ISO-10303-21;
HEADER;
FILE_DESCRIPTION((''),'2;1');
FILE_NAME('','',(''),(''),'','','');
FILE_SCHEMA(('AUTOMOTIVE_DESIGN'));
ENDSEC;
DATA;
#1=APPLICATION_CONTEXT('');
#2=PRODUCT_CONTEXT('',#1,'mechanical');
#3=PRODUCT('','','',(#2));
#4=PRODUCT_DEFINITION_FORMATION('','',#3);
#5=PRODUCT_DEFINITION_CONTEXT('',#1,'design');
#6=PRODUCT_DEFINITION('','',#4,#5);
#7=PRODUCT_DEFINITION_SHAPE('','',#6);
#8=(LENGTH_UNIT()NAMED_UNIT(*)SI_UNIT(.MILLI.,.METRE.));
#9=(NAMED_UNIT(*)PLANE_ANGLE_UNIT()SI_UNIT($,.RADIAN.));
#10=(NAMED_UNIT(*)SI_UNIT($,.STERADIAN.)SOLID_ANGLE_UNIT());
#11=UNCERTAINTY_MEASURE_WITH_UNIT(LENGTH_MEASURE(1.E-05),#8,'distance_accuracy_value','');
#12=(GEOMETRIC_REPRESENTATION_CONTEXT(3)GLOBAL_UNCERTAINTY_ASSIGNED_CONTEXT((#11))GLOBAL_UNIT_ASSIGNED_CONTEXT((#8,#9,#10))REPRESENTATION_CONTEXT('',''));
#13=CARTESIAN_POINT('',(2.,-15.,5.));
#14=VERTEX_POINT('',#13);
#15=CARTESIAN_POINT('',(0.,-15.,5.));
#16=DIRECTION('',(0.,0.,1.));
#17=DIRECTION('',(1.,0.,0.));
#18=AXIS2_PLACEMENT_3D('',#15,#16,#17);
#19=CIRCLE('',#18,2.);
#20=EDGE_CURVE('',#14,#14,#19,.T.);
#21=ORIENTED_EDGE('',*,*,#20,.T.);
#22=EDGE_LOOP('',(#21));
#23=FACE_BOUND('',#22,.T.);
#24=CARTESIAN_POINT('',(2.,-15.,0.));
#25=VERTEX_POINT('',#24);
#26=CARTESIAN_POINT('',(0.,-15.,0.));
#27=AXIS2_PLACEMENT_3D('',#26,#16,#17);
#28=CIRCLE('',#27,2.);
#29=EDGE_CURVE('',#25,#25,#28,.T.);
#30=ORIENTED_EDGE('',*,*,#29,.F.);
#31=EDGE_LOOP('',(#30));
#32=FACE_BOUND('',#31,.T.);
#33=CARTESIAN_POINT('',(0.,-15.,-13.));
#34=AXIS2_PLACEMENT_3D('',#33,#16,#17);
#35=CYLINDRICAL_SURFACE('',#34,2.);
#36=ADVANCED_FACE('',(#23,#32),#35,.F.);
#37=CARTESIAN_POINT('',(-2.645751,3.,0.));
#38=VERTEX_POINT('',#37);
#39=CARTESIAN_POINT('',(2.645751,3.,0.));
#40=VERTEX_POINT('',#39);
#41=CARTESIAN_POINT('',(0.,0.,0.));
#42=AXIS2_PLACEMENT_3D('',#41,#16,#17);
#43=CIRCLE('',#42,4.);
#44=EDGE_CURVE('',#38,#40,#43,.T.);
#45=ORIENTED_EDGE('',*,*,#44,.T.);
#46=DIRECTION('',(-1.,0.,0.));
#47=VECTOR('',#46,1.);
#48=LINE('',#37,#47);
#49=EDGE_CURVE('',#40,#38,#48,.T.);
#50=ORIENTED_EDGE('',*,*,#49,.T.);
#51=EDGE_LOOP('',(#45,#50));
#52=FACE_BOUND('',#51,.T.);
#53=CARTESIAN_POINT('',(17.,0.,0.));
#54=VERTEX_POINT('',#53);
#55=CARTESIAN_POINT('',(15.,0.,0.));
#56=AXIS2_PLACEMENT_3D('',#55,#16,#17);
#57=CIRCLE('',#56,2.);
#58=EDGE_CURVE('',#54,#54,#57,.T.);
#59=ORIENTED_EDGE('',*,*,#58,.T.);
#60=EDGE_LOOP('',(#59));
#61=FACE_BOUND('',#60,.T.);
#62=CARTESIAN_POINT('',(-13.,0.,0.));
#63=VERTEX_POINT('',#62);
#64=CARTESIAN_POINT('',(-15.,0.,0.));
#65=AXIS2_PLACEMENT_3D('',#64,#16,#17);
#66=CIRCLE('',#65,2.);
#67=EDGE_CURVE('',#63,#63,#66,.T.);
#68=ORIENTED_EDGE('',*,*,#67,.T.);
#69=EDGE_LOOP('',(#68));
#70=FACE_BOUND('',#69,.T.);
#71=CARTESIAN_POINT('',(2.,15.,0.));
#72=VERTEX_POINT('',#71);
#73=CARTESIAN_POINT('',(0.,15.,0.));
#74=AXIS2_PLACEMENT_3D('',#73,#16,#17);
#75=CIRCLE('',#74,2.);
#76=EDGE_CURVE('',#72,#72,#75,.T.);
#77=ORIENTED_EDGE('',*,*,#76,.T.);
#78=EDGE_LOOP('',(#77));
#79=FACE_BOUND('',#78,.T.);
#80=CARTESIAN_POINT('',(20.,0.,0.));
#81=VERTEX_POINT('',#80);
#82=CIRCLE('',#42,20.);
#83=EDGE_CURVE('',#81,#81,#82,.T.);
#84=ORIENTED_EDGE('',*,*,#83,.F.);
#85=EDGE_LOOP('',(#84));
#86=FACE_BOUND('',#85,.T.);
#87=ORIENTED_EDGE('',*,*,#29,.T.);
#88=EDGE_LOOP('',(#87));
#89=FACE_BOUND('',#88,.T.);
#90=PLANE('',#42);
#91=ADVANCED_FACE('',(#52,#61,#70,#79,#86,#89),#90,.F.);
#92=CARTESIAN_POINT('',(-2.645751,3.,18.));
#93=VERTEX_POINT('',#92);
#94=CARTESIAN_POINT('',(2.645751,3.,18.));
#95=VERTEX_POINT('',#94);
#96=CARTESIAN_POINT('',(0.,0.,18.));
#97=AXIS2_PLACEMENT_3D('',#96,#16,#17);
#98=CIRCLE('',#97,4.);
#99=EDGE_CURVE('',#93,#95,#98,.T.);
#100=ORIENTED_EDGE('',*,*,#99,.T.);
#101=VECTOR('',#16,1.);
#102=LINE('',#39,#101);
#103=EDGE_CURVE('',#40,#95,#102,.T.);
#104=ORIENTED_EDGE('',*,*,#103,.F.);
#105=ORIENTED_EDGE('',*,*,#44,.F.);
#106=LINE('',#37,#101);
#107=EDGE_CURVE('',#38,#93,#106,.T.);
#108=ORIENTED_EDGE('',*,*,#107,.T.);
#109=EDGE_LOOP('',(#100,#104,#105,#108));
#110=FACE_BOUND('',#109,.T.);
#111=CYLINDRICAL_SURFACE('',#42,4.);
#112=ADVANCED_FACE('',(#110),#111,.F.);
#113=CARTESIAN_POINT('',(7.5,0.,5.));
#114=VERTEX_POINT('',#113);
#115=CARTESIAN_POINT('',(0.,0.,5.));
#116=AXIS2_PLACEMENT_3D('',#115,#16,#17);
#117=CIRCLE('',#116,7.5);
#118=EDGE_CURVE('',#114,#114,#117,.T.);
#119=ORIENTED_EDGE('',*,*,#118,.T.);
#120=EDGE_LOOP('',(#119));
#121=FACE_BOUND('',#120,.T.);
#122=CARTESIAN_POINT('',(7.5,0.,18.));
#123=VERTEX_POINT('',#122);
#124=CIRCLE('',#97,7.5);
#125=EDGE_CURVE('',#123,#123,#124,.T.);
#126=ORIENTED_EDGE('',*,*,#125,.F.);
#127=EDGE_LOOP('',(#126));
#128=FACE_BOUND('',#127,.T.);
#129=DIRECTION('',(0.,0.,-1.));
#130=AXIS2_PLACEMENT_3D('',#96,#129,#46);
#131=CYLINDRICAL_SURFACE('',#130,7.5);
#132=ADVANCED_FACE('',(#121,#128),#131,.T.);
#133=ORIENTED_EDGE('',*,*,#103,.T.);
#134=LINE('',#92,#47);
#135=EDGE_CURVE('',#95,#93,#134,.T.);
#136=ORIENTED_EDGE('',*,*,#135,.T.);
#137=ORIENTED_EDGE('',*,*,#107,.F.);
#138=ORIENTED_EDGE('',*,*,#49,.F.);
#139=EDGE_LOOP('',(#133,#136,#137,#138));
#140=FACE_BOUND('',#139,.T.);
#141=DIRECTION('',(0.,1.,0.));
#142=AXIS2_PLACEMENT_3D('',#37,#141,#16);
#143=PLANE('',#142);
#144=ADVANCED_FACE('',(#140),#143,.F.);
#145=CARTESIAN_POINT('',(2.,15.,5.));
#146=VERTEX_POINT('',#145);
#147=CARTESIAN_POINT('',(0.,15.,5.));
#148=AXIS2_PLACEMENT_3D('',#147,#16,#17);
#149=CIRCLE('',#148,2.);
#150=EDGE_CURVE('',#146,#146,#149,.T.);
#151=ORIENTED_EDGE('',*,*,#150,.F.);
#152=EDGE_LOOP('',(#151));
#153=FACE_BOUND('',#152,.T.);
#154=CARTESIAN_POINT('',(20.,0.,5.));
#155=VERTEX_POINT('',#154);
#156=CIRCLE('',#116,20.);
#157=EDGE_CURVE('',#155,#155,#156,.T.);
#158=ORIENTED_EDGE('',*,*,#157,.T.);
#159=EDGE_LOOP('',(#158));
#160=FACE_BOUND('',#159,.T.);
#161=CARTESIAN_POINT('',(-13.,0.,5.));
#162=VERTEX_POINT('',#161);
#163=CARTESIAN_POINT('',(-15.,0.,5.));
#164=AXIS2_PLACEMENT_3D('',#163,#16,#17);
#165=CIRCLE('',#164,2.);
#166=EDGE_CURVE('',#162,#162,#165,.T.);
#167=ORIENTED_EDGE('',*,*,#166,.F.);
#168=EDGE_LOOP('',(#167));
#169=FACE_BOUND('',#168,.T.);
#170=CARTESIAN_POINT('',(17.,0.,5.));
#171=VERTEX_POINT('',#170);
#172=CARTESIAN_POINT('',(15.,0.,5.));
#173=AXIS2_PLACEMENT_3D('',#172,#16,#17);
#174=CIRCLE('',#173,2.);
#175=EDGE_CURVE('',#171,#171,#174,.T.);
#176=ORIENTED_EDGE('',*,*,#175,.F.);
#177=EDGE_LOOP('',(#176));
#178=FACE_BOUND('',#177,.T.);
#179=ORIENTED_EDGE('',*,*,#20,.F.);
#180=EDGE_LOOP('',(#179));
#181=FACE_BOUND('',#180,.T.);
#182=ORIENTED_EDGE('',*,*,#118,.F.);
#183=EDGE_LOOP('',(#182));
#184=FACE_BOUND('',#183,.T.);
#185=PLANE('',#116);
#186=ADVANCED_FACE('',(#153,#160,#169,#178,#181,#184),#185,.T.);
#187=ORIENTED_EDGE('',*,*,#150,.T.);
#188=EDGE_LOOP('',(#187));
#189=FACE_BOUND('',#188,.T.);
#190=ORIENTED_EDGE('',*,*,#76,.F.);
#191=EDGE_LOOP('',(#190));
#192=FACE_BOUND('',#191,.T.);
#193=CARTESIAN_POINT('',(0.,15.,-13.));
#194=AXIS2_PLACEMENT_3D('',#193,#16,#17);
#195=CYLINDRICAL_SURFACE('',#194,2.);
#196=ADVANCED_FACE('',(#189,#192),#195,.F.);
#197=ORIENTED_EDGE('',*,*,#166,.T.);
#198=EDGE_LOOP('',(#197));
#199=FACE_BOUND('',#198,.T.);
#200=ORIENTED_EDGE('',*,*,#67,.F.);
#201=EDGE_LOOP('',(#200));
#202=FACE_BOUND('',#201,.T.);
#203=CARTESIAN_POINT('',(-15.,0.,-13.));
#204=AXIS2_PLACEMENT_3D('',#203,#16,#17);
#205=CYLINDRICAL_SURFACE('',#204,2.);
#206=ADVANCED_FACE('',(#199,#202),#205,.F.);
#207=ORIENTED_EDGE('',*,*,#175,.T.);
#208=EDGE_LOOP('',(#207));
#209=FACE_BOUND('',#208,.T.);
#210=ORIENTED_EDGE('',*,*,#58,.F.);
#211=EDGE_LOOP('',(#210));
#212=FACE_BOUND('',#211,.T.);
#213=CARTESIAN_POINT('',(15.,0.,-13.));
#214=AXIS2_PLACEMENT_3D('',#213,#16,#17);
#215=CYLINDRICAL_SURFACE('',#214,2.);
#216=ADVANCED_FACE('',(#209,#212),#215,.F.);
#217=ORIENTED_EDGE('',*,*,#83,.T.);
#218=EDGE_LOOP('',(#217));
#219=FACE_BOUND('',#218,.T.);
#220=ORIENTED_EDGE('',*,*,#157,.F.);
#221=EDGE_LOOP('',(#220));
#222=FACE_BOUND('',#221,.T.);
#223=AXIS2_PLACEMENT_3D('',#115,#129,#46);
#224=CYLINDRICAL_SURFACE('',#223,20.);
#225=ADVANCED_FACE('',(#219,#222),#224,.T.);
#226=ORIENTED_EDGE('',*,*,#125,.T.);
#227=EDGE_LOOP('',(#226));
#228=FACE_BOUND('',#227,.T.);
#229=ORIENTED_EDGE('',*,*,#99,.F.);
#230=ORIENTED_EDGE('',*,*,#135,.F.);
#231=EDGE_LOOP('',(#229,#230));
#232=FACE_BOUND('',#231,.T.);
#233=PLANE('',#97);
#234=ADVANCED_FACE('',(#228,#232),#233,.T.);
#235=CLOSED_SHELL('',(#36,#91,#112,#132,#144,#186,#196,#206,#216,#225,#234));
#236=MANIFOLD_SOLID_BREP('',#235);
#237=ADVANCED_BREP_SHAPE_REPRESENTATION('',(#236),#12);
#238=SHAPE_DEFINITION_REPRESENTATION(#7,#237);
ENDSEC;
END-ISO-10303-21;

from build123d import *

# Parameters (mm, degrees)
SKETCH1_R           = 20
BOSS_EXTRUDE1_DEPTH = 5
SKETCH2_R           = 7.5
BOSS_EXTRUDE2_DEPTH = 13
CUT_EXTRUDE1_DEPTH  = 18
SKETCH4_R           = 2
CUT_EXTRUDE2_DEPTH  = 18


with BuildPart() as part:
    # Sketch1 → Boss-Extrude1 (new body)
    with BuildSketch(Plane.XY):
        Circle(SKETCH1_R)
    extrude(amount=BOSS_EXTRUDE1_DEPTH)

    # Sketch2 → Boss-Extrude2 (add)
    with BuildSketch(Plane.XY.offset(5)):
        Circle(SKETCH2_R)
    extrude(amount=BOSS_EXTRUDE2_DEPTH)

    # Sketch3 → Cut-Extrude1 (cut)
    with BuildSketch(Plane.XY.offset(18)):
        with BuildLine():
            Line((-2.645751311, 3), (2.645751311, 3))
            ThreePointArc((2.645751311, 3), (0, -4), (-2.645751311, 3))
        make_face()
    extrude(amount=-CUT_EXTRUDE1_DEPTH, mode=Mode.SUBTRACT)

    # Sketch4 → Cut-Extrude2 (cut)
    with BuildSketch(Plane.XY.offset(5)):
        with Locations((0, 15)):
            Circle(SKETCH4_R)
        with Locations((15, 0)):
            Circle(SKETCH4_R)
        with Locations((0, -15)):
            Circle(SKETCH4_R)
        with Locations((-15, 0)):
            Circle(SKETCH4_R)
    extrude(amount=-CUT_EXTRUDE2_DEPTH, mode=Mode.SUBTRACT)


solid = part.part
